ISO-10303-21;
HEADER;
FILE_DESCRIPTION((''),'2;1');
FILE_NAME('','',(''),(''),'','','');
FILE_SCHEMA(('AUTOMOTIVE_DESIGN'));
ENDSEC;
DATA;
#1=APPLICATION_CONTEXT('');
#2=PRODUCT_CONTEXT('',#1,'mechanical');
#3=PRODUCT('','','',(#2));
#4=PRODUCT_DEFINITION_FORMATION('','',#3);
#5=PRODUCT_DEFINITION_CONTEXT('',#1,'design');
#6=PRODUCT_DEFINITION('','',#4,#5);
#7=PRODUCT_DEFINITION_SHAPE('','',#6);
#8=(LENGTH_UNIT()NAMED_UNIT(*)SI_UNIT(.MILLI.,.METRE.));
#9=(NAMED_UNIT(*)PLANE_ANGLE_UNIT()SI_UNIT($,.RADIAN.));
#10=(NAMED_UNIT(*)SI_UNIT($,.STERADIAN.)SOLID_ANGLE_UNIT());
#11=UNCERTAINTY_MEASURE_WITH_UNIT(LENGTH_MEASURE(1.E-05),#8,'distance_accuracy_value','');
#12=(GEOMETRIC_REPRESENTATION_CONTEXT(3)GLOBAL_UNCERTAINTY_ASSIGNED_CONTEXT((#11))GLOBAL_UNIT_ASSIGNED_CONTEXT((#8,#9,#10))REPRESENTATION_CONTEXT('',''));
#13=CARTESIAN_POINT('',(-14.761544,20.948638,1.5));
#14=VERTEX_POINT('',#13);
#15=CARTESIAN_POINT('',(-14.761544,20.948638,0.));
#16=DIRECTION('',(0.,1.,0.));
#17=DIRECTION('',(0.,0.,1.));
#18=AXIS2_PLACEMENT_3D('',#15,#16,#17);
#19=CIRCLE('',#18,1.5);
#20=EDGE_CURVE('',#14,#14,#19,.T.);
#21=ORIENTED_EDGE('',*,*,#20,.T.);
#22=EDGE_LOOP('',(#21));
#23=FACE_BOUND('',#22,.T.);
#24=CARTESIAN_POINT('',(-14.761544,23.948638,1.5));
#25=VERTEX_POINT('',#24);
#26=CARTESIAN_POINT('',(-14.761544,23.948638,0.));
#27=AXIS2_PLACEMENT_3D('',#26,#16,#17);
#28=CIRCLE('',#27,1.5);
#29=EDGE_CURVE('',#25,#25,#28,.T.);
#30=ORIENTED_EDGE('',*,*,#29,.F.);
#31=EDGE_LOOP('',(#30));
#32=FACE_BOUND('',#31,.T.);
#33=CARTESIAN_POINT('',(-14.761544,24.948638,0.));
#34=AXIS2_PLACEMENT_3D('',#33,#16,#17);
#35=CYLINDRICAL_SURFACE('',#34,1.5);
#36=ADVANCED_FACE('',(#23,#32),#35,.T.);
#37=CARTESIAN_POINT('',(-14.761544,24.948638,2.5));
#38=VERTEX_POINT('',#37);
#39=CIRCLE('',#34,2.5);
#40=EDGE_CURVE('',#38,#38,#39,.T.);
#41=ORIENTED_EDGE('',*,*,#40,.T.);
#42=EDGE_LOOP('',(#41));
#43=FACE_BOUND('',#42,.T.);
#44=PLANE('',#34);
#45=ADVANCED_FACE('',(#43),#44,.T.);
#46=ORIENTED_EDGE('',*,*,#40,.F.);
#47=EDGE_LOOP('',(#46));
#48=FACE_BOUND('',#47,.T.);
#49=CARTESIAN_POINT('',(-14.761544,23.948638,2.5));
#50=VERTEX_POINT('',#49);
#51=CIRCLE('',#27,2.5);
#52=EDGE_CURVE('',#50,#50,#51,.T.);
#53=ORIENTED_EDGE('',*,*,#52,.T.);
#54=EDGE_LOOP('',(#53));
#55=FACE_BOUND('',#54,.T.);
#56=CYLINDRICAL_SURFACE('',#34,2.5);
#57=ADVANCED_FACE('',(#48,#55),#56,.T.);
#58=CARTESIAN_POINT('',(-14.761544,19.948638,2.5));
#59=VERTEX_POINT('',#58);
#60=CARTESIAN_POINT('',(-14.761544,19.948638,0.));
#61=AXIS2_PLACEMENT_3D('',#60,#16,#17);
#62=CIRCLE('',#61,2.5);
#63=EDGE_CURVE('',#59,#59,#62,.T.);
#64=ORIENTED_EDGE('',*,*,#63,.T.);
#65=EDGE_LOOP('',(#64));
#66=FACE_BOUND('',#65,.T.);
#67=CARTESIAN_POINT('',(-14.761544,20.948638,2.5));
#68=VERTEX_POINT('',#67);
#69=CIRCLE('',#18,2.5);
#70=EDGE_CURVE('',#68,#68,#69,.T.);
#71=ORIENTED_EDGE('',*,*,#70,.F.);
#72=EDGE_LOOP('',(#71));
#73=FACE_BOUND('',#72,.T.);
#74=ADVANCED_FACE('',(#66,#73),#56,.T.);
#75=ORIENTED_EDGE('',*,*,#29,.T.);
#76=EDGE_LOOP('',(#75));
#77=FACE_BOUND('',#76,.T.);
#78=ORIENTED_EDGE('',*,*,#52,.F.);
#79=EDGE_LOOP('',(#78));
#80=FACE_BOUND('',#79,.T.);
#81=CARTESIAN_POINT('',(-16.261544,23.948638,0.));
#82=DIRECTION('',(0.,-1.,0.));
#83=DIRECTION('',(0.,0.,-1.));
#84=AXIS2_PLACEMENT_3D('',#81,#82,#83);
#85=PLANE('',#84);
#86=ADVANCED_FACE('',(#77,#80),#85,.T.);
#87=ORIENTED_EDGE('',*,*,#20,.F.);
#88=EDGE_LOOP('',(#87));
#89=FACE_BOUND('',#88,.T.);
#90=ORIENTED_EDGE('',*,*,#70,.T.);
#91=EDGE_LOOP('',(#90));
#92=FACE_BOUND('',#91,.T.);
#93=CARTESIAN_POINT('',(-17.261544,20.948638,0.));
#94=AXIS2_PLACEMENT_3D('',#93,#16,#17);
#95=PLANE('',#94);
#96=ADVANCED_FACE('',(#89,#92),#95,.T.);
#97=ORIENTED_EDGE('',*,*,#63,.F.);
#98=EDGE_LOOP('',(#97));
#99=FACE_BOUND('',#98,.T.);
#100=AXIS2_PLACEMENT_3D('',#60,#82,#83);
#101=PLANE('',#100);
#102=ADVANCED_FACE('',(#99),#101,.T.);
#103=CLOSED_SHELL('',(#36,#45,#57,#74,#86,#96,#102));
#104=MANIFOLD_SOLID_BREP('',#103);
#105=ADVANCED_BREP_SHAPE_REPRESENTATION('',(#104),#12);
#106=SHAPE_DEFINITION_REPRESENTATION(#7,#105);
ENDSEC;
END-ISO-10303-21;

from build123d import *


with BuildPart() as part:
    # Sketch1 → Revolve1 (revolve)
    with BuildSketch(Plane.XY, mode=Mode.PRIVATE) as revolve1_sk:
        Polygon((-14.761543591, 24.948638362), (-17.261543591, 24.948638362), (-17.261543591, 23.948638362), (-16.261543591, 23.948638362), (-16.261543591, 20.948638362), (-17.261543591, 20.948638362), (-17.261543591, 19.948638362), (-14.761543591, 19.948638362), align=None)
    revolve(revolve1_sk.sketch.rotate(Axis((-14.761543591, 24.948638362, 0), (0, -1, 0)), 270), axis=Axis((-14.761543591, 24.948638362, 0), (0, -1, 0)))


solid = part.part
